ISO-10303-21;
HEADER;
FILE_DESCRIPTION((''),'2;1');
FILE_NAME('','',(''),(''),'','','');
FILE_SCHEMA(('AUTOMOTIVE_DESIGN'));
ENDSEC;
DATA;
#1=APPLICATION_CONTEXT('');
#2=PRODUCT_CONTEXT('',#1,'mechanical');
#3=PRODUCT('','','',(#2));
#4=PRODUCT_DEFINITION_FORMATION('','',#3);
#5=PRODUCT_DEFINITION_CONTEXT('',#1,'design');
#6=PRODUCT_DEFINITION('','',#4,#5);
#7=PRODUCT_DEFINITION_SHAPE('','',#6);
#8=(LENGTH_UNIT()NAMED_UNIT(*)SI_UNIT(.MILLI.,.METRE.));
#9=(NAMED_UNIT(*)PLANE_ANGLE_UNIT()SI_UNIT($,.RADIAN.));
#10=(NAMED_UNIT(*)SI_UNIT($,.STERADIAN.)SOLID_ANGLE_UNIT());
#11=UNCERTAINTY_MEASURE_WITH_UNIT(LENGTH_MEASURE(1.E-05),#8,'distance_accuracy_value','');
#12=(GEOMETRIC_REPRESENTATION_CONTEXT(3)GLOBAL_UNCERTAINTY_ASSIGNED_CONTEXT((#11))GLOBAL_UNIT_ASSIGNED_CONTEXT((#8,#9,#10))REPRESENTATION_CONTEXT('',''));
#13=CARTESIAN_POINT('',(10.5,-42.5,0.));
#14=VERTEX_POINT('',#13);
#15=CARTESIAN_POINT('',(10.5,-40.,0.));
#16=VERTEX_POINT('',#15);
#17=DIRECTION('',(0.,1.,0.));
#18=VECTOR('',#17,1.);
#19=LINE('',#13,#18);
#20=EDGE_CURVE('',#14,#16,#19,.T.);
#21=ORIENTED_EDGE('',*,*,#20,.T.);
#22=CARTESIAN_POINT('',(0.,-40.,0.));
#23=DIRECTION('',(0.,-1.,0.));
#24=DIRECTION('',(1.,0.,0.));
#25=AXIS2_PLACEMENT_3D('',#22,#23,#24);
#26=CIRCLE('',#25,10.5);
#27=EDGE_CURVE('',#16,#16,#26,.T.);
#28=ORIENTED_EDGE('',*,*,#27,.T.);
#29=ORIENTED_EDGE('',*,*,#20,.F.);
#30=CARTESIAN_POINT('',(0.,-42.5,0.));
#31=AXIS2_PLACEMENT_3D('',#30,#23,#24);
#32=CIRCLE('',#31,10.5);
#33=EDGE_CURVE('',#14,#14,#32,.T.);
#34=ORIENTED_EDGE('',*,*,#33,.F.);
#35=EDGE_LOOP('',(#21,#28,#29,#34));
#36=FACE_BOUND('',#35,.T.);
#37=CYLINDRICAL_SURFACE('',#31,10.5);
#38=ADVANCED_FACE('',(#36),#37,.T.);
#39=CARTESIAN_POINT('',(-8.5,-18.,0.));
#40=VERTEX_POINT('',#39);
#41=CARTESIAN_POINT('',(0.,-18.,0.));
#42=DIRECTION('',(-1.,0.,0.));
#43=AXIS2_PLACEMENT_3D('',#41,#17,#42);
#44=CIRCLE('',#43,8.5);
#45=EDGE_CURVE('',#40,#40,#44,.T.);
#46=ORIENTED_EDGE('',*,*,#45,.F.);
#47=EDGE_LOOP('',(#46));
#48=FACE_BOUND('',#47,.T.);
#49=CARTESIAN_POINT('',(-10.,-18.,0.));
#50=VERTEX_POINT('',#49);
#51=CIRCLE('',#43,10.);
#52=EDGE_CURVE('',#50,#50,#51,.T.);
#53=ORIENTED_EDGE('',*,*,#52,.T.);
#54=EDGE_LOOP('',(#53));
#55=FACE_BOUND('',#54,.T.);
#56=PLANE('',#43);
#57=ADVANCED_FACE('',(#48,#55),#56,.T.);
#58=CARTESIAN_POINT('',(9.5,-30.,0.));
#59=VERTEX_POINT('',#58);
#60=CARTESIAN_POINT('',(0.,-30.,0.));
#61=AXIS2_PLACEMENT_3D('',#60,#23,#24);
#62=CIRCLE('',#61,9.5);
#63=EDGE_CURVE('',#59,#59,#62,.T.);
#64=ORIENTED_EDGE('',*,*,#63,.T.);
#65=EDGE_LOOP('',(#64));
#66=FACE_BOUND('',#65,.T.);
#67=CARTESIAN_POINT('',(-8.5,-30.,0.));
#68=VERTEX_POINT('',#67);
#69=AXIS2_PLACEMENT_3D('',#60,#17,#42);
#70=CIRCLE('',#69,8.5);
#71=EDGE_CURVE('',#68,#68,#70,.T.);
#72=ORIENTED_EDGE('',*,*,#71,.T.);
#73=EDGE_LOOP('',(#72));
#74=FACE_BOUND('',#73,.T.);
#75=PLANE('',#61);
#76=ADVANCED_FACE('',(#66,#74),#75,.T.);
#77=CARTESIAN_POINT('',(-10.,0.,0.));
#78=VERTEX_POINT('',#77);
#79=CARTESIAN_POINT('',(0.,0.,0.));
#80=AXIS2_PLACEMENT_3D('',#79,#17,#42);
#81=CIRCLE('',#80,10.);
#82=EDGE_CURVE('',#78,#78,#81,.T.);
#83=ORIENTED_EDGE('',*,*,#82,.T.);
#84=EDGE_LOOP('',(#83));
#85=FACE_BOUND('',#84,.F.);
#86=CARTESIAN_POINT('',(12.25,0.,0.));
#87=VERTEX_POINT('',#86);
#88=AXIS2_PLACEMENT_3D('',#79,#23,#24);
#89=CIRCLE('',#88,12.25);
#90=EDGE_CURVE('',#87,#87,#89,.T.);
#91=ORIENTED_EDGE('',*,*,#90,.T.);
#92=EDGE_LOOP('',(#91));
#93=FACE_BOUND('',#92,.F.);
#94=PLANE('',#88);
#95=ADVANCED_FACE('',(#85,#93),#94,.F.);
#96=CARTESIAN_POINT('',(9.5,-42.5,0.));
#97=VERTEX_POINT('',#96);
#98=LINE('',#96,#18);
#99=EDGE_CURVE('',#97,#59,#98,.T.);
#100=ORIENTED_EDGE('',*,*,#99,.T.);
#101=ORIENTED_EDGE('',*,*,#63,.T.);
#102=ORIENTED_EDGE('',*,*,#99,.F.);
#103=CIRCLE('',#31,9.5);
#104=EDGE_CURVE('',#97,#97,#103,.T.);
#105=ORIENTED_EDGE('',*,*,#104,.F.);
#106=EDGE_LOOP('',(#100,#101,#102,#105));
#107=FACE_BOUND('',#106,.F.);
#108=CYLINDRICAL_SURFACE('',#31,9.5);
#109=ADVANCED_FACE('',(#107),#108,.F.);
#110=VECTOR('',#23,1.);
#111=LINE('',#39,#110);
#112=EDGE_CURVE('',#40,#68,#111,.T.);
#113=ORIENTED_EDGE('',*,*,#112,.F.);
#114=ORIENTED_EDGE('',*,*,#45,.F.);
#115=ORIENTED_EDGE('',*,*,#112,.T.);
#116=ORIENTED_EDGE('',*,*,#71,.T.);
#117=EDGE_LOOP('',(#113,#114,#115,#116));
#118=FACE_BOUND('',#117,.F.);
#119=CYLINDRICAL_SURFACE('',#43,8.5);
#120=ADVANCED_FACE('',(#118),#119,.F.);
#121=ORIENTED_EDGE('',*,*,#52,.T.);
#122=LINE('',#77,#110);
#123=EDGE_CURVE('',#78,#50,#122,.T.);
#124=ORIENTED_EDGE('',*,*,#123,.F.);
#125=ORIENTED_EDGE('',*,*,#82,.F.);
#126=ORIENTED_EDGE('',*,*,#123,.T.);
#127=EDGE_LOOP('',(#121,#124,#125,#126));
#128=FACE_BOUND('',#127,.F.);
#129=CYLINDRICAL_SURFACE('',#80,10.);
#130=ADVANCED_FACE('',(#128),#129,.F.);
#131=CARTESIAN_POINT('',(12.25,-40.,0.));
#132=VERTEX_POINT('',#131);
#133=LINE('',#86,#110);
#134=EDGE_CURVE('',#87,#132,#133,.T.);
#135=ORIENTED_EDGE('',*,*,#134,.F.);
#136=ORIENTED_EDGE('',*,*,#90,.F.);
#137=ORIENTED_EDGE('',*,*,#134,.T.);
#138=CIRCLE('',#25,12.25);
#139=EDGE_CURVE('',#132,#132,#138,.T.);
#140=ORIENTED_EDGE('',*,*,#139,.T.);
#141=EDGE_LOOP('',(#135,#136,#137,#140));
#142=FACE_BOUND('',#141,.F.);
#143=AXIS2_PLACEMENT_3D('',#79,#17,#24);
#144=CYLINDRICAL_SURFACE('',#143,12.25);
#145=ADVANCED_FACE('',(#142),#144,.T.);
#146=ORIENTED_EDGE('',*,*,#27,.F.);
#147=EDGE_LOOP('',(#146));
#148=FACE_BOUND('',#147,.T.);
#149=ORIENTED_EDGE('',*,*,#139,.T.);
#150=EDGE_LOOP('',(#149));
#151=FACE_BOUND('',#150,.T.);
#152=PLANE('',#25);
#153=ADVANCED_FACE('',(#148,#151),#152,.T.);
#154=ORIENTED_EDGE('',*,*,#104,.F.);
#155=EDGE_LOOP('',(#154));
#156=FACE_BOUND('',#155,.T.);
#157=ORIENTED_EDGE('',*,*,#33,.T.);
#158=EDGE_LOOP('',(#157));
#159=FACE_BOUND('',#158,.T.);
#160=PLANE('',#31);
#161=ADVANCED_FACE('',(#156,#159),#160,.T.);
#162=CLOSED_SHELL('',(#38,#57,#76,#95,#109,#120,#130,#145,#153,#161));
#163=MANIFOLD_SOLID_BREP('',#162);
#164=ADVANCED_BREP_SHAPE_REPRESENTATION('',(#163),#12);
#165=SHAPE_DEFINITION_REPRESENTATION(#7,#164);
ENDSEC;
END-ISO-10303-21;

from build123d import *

# Parameters (mm, degrees)
F0_R     = 12.25
F1_DEPTH = 42.5
F2_R     = 12.25
F2_R_2   = 10.5
F3_DEPTH = 2.5
F4_R     = 9.5
F5_DEPTH = 12.5
F6_R     = 10
F7_DEPTH = 18
F8_R     = 8.5
F9_DEPTH = 25


with BuildPart() as f1:
    # F0 (on Front) → F1 (new body)
    with BuildSketch(Plane.XZ):
        Circle(F0_R)
    extrude(amount=F1_DEPTH)

    # F2 (on face) → F3 (cut)
    with BuildSketch(Plane.XZ.offset(42.5)):
        Circle(F2_R)
        Circle(F2_R_2, mode=Mode.SUBTRACT)
    extrude(amount=-F3_DEPTH, mode=Mode.SUBTRACT)

    # F4 (on face) → F5 (cut)
    with BuildSketch(Plane.XZ.offset(42.5)):
        Circle(F4_R)
    extrude(amount=-F5_DEPTH, mode=Mode.SUBTRACT)

    # F6 (on face) → F7 (cut)
    with BuildSketch(Plane(origin=(0, 0, 0), x_dir=(-1, 0, 0), z_dir=(0, 1, 0))):
        Circle(F6_R)
    extrude(amount=-F7_DEPTH, mode=Mode.SUBTRACT)

    # F8 (on face) → F9 (cut)
    with BuildSketch(Plane(origin=(0, -18, 0), x_dir=(-1, 0, 0), z_dir=(0, 1, 0))):
        Circle(F8_R)
    extrude(amount=-F9_DEPTH, mode=Mode.SUBTRACT)


solid = f1.part
